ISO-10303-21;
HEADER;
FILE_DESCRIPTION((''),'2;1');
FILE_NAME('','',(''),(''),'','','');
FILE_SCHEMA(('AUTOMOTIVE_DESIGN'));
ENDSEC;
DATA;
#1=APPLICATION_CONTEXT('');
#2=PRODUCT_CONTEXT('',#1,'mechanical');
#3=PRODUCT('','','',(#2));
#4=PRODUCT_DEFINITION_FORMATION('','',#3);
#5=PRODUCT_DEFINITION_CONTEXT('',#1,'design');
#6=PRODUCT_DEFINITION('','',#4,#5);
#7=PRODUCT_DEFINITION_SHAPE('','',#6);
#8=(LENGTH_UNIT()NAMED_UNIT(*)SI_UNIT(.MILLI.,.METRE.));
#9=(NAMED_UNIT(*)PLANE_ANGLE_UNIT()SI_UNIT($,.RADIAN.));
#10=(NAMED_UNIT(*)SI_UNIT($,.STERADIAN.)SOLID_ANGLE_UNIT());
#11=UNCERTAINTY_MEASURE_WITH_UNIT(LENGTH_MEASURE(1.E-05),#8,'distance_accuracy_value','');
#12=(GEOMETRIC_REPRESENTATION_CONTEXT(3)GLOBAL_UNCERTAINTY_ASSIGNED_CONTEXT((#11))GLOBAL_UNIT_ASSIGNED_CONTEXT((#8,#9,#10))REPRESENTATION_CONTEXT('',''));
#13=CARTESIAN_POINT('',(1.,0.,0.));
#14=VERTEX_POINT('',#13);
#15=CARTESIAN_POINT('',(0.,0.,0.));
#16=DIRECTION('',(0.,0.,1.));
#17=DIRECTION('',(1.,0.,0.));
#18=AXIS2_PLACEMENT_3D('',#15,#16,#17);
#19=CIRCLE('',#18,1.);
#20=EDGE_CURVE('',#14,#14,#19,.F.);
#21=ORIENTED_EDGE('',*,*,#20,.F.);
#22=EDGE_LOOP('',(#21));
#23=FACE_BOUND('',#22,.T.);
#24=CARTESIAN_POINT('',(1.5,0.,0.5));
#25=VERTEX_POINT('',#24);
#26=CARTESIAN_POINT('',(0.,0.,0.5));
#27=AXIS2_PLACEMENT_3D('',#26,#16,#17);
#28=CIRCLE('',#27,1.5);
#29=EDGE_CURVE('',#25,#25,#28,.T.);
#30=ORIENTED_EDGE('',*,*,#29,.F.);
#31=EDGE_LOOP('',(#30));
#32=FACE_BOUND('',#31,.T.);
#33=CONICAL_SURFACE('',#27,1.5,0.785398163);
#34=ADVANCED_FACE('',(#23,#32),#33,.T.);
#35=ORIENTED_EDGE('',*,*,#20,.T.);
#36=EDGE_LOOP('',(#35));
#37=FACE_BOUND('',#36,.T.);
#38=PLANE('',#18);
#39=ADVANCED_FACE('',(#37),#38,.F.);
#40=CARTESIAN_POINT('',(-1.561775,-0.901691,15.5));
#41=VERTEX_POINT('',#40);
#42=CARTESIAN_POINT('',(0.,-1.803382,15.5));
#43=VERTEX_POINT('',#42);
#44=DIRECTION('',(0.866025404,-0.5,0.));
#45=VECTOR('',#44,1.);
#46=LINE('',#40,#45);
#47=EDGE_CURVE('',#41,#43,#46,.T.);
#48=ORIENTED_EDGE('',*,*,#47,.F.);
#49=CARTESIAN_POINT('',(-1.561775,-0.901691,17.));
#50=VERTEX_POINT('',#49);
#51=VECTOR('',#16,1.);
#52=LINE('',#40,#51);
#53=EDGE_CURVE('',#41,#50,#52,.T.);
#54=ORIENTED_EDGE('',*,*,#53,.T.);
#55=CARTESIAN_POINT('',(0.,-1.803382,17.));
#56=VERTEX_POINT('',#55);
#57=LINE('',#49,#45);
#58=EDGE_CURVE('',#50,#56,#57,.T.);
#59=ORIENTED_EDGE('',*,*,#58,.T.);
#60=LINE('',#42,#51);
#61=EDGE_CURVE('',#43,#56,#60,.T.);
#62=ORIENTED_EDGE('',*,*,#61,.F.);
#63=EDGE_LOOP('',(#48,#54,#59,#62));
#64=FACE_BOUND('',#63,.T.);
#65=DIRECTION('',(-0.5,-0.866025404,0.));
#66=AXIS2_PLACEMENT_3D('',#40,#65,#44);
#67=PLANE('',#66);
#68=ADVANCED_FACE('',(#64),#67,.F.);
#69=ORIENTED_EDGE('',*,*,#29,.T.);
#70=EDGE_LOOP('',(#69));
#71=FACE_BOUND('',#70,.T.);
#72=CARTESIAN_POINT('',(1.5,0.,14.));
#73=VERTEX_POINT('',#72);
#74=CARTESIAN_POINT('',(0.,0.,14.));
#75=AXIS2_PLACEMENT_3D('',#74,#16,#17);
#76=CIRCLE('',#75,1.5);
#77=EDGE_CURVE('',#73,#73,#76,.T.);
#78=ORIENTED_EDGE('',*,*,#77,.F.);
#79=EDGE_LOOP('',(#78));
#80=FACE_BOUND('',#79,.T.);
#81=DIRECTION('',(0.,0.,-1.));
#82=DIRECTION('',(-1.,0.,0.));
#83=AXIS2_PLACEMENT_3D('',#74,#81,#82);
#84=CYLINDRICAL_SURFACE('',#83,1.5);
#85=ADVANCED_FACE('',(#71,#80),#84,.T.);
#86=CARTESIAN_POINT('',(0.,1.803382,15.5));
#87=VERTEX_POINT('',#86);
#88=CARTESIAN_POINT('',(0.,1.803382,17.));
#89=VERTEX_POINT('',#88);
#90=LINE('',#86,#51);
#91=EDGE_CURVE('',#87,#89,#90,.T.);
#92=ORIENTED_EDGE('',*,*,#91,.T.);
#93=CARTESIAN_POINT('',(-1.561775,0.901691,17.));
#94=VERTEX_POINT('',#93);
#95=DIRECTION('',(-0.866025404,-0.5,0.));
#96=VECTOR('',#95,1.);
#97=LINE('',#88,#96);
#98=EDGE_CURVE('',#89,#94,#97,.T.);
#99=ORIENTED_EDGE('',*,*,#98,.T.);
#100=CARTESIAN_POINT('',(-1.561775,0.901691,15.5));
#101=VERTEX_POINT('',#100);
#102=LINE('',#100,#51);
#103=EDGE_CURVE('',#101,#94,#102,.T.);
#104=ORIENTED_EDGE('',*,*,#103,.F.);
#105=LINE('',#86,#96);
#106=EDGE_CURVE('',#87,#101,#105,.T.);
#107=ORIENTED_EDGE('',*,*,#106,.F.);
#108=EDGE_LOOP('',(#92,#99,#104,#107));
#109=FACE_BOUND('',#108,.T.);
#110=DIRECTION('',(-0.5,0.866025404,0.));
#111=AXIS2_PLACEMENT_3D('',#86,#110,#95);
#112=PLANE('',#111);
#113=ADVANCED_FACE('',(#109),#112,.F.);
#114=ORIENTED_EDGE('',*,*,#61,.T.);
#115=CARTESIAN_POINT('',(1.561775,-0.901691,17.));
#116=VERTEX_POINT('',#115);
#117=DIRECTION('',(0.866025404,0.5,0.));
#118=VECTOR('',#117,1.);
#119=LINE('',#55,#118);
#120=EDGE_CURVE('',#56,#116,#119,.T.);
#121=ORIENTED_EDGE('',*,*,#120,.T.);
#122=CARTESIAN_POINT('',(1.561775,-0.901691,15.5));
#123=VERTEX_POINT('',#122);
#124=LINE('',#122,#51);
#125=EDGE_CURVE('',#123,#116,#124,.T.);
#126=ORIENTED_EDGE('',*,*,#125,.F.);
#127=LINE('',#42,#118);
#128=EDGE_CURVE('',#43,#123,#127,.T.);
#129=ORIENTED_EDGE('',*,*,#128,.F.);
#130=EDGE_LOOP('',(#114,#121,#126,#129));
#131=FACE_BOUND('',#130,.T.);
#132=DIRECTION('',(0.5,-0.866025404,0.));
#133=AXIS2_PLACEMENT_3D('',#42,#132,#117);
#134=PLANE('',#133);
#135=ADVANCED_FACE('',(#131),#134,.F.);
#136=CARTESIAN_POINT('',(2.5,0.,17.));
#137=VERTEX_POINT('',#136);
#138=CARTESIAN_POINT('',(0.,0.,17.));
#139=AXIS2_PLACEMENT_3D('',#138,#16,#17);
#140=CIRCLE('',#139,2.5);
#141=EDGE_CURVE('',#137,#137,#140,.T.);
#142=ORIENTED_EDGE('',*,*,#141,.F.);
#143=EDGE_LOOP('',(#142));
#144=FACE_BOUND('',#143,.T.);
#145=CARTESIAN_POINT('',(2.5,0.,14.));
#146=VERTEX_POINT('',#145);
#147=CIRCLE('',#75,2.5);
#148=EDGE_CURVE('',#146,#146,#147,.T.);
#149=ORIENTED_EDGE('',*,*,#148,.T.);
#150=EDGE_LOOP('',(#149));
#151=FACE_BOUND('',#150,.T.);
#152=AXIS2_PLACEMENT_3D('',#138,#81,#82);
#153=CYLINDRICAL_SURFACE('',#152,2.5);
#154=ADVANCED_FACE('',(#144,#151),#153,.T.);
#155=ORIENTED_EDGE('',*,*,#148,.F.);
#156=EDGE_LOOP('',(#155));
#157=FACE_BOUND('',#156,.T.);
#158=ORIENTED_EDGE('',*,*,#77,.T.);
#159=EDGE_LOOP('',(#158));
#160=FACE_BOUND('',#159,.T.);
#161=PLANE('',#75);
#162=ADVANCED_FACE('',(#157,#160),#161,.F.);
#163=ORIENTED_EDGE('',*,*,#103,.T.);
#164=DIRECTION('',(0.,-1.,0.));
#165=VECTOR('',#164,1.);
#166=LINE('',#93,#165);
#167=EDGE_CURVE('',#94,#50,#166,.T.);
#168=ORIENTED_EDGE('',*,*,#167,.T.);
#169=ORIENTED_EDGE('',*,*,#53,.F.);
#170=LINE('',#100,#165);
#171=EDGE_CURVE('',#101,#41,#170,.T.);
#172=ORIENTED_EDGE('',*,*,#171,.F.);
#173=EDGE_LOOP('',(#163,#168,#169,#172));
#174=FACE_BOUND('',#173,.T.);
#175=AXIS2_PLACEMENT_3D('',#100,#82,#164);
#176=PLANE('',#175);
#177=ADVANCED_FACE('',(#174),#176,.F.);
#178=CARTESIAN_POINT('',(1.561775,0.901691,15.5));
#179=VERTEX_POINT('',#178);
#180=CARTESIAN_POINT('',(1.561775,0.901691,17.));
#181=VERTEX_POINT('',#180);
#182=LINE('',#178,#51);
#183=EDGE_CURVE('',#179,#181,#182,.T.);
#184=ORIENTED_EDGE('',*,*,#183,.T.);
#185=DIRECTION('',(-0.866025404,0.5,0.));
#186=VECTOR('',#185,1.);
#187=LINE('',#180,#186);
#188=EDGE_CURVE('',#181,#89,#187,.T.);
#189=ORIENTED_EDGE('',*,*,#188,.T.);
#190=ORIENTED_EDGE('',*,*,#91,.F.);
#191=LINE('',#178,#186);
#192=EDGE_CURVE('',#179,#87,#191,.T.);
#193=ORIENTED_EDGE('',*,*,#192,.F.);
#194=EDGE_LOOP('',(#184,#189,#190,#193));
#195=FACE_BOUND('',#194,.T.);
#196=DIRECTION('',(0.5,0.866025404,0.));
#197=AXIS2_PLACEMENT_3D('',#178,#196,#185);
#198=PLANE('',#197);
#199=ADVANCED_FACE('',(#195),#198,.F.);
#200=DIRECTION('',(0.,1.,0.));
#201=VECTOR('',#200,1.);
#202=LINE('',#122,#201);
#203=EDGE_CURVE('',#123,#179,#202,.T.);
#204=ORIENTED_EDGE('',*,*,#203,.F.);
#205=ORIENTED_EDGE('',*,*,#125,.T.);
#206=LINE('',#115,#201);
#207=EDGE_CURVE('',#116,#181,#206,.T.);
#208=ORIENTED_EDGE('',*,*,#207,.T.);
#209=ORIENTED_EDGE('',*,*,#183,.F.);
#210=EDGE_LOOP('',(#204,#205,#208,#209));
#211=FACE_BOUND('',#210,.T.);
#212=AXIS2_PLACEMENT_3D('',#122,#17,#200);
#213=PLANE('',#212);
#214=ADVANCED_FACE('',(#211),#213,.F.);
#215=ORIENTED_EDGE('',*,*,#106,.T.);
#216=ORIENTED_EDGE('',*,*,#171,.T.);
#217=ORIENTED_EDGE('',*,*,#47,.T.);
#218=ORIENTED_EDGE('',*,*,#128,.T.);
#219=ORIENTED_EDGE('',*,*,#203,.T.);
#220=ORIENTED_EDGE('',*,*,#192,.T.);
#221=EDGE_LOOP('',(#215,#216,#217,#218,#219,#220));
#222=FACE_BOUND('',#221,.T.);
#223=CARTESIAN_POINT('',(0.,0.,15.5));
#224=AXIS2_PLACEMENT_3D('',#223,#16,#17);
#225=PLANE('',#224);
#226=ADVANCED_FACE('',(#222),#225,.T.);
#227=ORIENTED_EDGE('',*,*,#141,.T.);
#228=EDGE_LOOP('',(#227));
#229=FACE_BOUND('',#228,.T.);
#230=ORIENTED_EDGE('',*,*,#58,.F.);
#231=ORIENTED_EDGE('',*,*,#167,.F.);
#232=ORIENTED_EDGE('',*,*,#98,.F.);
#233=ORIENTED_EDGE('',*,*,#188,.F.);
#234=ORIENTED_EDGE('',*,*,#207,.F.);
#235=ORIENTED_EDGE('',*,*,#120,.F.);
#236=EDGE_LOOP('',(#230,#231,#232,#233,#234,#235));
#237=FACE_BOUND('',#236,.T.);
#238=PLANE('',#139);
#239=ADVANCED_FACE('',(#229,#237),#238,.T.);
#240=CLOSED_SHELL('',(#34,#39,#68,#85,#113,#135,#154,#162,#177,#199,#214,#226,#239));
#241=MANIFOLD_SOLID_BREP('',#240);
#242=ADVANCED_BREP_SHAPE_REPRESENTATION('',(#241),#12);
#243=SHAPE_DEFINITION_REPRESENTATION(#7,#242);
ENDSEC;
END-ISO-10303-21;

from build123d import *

# Parameters (mm, degrees)
SKETCH_1_R          = 1.5
EXTRUDE_1_DEPTH     = 14
SKETCH_2_R          = 2.5
EXTRUDE_2_DEPTH     = 3
CUT_EXTRUDE_1_DEPTH = 1.5
CHAMFER_1_SIZE      = 0.5


with BuildPart() as part:
    # 草图1 → 凸台-拉伸1 (new body)
    with BuildSketch(Plane.XY):
        Circle(SKETCH_1_R)
    extrude(amount=EXTRUDE_1_DEPTH)

    # 草图2 → 凸台-拉伸2 (add)
    with BuildSketch(Plane.XY.offset(14)):
        Circle(SKETCH_2_R)
    extrude(amount=EXTRUDE_2_DEPTH)

    # 草图3 → 切除-拉伸1 (cut)
    with BuildSketch(Plane.XY.offset(17)):
        Polygon((0, 1.803382283), (-1.56177487, 0.901691141), (-1.56177487, -0.901691141), (0, -1.803382283), (1.56177487, -0.901691141), (1.56177487, 0.901691141), align=None)
    extrude(amount=-CUT_EXTRUDE_1_DEPTH, mode=Mode.SUBTRACT)

    # 倒角1
    chamfer_1_edges = [part.edges().sort_by_distance(p)[0] for p in [
        (-1.5, 0, 0),
    ]]
    chamfer(chamfer_1_edges, length=CHAMFER_1_SIZE)


solid = part.part
